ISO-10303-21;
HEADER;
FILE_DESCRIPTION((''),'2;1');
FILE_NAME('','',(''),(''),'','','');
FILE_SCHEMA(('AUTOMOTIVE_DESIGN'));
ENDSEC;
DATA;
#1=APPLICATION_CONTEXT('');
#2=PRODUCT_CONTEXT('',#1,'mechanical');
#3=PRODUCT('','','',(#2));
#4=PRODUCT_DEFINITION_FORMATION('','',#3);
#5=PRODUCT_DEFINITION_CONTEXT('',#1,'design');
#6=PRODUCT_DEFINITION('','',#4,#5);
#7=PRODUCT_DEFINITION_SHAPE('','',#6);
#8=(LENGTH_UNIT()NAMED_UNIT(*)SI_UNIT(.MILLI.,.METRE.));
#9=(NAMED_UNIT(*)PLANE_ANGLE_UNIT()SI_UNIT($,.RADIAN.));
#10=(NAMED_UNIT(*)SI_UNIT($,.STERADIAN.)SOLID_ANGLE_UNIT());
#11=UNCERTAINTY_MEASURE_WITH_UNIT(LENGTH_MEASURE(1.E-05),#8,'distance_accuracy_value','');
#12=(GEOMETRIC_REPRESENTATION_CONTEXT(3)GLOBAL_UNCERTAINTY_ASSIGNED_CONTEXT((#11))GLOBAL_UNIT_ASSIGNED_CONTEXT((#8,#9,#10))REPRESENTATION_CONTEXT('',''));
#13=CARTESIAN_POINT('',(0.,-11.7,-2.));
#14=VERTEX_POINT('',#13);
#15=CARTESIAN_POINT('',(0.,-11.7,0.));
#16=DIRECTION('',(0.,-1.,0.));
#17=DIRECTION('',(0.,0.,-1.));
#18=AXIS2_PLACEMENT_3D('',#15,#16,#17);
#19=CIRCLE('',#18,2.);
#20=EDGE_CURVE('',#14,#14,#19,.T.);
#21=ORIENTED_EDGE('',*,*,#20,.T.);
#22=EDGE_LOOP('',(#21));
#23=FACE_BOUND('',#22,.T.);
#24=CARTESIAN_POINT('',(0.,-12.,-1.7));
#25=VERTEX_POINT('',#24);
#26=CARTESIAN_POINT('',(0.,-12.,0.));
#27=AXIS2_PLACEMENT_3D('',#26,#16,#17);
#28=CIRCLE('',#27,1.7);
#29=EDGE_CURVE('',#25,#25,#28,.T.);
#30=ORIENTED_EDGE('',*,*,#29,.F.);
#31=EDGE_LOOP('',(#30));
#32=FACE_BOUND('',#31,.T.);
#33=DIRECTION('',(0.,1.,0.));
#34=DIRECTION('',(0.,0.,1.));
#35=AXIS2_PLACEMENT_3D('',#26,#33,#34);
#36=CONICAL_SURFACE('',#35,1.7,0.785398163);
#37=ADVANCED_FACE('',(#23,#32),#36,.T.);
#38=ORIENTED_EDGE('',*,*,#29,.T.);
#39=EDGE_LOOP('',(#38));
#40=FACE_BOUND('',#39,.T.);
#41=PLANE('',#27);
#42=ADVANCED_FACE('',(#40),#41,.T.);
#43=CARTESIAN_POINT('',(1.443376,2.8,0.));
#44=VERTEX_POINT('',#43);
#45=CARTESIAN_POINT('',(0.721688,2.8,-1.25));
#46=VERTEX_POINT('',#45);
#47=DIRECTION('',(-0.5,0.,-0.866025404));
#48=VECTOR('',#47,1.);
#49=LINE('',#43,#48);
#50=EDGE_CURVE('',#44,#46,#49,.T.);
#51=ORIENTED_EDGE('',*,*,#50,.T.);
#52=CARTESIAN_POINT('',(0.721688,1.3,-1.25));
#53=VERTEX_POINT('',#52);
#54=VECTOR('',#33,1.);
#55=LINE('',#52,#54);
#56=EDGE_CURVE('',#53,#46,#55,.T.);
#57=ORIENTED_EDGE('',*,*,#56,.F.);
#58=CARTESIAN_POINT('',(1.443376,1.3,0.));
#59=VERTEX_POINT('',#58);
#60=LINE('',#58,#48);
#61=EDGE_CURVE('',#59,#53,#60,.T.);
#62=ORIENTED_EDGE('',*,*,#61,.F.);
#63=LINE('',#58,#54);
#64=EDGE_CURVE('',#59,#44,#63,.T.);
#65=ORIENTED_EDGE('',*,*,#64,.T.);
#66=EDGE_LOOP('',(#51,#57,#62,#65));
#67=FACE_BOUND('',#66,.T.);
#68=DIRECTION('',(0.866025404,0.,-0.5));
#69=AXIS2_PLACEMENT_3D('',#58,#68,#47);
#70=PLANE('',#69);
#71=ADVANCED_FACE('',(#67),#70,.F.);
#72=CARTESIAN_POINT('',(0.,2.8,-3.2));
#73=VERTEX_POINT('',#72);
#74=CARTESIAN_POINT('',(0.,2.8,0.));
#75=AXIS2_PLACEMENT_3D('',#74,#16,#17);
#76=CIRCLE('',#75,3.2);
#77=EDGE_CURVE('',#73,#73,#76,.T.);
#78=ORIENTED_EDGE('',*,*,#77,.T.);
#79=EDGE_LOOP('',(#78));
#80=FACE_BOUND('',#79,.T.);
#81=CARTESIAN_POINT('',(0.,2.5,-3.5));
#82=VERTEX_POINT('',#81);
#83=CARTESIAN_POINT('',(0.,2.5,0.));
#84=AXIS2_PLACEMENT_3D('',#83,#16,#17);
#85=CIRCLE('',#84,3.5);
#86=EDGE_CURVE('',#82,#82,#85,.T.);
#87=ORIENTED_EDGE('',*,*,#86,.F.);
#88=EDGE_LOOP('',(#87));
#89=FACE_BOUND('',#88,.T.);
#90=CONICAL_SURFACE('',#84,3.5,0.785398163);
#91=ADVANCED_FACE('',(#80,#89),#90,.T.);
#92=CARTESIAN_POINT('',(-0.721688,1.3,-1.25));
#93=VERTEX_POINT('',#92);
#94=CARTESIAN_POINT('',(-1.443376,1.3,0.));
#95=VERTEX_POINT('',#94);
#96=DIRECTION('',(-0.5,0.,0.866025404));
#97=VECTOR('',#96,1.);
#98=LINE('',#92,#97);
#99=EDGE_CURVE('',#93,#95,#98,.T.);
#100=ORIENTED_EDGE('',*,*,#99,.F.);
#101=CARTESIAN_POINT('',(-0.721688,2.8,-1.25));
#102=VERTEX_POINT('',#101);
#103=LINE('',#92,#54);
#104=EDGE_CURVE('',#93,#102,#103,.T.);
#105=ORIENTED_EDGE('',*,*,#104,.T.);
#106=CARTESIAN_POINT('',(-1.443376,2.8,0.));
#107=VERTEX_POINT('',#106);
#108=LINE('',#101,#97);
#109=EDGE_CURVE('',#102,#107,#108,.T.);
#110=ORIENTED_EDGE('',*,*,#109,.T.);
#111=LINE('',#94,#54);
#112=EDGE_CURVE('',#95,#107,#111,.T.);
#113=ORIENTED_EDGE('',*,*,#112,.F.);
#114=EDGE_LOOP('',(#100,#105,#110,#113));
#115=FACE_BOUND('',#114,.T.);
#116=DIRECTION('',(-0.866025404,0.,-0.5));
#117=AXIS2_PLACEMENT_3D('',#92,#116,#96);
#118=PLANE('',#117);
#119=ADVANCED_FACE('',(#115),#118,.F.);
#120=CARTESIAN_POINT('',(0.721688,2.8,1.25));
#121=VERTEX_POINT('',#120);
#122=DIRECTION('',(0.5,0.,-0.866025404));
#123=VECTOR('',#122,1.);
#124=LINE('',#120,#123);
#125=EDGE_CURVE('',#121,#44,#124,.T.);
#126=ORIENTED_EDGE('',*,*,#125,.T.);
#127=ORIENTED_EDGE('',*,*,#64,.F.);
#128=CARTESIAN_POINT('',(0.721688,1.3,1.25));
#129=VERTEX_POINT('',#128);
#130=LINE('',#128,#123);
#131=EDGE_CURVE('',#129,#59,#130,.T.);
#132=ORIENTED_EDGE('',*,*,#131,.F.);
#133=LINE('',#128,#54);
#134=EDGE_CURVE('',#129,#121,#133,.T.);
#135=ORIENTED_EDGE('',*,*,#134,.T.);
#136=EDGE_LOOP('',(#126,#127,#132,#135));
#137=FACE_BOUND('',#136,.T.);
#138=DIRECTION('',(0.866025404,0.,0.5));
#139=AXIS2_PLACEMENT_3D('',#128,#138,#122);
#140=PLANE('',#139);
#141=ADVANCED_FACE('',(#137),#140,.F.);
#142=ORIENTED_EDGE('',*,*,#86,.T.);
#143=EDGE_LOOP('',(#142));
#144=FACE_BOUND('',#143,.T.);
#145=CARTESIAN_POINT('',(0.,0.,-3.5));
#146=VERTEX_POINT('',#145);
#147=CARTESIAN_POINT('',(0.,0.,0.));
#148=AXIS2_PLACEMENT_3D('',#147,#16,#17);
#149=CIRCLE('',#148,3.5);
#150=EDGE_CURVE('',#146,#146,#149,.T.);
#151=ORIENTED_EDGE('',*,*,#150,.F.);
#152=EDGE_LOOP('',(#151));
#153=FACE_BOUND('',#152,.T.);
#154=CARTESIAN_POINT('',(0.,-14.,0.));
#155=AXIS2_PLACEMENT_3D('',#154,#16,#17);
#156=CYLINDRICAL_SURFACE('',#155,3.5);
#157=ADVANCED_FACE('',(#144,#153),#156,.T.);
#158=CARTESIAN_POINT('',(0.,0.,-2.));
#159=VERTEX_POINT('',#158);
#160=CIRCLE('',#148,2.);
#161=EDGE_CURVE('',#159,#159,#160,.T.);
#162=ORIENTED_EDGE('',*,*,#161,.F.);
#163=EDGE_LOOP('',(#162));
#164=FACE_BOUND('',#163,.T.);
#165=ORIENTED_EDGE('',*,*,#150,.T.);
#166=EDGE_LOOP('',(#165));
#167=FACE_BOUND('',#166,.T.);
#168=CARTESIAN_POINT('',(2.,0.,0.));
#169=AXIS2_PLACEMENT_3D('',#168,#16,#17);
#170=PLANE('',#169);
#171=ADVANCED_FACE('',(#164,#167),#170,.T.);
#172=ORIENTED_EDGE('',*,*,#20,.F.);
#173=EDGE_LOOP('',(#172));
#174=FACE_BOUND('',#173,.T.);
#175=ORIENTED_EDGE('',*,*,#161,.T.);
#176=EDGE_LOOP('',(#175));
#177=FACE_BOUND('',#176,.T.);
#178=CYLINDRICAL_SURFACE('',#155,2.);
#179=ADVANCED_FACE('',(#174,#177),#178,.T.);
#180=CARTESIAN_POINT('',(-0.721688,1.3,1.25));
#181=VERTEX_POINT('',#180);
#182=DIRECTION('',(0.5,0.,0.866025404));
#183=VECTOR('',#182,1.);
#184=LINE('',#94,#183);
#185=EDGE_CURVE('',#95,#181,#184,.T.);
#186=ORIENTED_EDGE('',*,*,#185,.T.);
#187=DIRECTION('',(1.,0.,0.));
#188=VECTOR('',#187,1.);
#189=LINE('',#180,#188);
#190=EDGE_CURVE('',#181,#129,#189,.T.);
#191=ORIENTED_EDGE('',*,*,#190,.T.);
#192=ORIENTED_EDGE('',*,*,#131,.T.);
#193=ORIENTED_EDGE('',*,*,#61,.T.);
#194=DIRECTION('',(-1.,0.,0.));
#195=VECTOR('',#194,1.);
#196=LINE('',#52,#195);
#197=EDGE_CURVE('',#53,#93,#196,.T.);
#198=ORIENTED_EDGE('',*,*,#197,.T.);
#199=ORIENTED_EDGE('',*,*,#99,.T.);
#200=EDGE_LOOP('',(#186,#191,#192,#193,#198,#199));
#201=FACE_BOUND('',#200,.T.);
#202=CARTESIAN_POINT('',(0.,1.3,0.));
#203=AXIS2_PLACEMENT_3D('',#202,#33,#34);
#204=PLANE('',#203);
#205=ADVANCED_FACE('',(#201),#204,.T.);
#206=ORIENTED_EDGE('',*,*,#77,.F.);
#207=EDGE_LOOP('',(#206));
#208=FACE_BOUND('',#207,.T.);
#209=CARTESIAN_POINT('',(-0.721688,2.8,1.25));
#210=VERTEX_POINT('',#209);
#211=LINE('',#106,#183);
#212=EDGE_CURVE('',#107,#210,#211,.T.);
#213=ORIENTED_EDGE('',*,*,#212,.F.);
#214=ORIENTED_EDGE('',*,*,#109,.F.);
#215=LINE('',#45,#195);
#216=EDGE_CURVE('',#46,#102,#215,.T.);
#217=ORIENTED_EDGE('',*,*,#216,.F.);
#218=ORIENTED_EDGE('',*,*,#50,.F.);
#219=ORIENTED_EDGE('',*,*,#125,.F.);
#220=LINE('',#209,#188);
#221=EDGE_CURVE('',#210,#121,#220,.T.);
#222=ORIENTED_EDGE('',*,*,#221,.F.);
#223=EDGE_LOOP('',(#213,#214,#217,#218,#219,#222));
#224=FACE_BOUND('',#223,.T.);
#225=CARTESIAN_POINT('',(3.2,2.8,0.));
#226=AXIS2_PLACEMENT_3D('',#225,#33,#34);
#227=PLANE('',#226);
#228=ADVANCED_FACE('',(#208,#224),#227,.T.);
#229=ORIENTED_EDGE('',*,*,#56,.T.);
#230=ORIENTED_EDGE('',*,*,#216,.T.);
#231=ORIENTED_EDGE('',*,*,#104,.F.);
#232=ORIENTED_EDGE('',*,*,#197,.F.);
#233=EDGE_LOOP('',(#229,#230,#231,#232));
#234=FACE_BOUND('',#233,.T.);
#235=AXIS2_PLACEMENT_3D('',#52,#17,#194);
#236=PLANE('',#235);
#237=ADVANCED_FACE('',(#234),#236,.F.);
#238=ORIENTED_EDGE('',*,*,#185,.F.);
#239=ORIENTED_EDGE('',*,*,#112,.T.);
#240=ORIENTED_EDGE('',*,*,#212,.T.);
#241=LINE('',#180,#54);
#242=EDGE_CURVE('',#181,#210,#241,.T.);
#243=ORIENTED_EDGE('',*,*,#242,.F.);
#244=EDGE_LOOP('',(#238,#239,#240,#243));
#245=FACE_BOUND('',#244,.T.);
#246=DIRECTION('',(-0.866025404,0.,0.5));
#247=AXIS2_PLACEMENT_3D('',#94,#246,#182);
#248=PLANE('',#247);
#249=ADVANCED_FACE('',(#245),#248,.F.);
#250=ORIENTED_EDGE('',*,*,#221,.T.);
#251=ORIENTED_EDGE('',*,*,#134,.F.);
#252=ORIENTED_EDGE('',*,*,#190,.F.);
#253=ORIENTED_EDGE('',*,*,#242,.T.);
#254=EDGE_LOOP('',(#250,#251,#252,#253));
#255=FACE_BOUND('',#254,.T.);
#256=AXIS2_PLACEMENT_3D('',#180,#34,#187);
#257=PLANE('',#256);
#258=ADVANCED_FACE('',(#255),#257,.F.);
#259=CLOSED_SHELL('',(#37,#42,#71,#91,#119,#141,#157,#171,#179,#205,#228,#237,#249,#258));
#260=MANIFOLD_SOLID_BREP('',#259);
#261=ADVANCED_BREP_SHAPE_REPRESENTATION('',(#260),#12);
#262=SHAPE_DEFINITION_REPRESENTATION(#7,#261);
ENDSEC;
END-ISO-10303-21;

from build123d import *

# Parameters (mm, degrees)
CUT_EXTRUDE_322_DEPTH = 1.5


with BuildPart() as part:
    # Sketch 184 → Revolve 223 (revolve)
    with BuildSketch(Plane.XY, mode=Mode.PRIVATE) as revolve_223_sk:
        Polygon((0, -12), (1.7, -12), (2, -11.7), (2, 0), (3.5, 0), (3.5, 2.5), (3.2, 2.8), (0, 2.8), align=None)
    revolve(revolve_223_sk.sketch.rotate(Axis((0, -14, 0), (0, 1, 0)), 90), axis=Axis((0, -14, 0), (0, 1, 0)))

    # Sketch 274 → Cut-Extrude 322 (cut)
    with BuildSketch(Plane(origin=(0, 2.8, 0), x_dir=(1, 0, 0), z_dir=(0, 1, 0))):
        Polygon((1.443375673, 0), (0.721687836, 1.25), (-0.721687836, 1.25), (-1.443375673, 0), (-0.721687836, -1.25), (0.721687836, -1.25), align=None)
    extrude(amount=-CUT_EXTRUDE_322_DEPTH, mode=Mode.SUBTRACT)


solid = part.part
